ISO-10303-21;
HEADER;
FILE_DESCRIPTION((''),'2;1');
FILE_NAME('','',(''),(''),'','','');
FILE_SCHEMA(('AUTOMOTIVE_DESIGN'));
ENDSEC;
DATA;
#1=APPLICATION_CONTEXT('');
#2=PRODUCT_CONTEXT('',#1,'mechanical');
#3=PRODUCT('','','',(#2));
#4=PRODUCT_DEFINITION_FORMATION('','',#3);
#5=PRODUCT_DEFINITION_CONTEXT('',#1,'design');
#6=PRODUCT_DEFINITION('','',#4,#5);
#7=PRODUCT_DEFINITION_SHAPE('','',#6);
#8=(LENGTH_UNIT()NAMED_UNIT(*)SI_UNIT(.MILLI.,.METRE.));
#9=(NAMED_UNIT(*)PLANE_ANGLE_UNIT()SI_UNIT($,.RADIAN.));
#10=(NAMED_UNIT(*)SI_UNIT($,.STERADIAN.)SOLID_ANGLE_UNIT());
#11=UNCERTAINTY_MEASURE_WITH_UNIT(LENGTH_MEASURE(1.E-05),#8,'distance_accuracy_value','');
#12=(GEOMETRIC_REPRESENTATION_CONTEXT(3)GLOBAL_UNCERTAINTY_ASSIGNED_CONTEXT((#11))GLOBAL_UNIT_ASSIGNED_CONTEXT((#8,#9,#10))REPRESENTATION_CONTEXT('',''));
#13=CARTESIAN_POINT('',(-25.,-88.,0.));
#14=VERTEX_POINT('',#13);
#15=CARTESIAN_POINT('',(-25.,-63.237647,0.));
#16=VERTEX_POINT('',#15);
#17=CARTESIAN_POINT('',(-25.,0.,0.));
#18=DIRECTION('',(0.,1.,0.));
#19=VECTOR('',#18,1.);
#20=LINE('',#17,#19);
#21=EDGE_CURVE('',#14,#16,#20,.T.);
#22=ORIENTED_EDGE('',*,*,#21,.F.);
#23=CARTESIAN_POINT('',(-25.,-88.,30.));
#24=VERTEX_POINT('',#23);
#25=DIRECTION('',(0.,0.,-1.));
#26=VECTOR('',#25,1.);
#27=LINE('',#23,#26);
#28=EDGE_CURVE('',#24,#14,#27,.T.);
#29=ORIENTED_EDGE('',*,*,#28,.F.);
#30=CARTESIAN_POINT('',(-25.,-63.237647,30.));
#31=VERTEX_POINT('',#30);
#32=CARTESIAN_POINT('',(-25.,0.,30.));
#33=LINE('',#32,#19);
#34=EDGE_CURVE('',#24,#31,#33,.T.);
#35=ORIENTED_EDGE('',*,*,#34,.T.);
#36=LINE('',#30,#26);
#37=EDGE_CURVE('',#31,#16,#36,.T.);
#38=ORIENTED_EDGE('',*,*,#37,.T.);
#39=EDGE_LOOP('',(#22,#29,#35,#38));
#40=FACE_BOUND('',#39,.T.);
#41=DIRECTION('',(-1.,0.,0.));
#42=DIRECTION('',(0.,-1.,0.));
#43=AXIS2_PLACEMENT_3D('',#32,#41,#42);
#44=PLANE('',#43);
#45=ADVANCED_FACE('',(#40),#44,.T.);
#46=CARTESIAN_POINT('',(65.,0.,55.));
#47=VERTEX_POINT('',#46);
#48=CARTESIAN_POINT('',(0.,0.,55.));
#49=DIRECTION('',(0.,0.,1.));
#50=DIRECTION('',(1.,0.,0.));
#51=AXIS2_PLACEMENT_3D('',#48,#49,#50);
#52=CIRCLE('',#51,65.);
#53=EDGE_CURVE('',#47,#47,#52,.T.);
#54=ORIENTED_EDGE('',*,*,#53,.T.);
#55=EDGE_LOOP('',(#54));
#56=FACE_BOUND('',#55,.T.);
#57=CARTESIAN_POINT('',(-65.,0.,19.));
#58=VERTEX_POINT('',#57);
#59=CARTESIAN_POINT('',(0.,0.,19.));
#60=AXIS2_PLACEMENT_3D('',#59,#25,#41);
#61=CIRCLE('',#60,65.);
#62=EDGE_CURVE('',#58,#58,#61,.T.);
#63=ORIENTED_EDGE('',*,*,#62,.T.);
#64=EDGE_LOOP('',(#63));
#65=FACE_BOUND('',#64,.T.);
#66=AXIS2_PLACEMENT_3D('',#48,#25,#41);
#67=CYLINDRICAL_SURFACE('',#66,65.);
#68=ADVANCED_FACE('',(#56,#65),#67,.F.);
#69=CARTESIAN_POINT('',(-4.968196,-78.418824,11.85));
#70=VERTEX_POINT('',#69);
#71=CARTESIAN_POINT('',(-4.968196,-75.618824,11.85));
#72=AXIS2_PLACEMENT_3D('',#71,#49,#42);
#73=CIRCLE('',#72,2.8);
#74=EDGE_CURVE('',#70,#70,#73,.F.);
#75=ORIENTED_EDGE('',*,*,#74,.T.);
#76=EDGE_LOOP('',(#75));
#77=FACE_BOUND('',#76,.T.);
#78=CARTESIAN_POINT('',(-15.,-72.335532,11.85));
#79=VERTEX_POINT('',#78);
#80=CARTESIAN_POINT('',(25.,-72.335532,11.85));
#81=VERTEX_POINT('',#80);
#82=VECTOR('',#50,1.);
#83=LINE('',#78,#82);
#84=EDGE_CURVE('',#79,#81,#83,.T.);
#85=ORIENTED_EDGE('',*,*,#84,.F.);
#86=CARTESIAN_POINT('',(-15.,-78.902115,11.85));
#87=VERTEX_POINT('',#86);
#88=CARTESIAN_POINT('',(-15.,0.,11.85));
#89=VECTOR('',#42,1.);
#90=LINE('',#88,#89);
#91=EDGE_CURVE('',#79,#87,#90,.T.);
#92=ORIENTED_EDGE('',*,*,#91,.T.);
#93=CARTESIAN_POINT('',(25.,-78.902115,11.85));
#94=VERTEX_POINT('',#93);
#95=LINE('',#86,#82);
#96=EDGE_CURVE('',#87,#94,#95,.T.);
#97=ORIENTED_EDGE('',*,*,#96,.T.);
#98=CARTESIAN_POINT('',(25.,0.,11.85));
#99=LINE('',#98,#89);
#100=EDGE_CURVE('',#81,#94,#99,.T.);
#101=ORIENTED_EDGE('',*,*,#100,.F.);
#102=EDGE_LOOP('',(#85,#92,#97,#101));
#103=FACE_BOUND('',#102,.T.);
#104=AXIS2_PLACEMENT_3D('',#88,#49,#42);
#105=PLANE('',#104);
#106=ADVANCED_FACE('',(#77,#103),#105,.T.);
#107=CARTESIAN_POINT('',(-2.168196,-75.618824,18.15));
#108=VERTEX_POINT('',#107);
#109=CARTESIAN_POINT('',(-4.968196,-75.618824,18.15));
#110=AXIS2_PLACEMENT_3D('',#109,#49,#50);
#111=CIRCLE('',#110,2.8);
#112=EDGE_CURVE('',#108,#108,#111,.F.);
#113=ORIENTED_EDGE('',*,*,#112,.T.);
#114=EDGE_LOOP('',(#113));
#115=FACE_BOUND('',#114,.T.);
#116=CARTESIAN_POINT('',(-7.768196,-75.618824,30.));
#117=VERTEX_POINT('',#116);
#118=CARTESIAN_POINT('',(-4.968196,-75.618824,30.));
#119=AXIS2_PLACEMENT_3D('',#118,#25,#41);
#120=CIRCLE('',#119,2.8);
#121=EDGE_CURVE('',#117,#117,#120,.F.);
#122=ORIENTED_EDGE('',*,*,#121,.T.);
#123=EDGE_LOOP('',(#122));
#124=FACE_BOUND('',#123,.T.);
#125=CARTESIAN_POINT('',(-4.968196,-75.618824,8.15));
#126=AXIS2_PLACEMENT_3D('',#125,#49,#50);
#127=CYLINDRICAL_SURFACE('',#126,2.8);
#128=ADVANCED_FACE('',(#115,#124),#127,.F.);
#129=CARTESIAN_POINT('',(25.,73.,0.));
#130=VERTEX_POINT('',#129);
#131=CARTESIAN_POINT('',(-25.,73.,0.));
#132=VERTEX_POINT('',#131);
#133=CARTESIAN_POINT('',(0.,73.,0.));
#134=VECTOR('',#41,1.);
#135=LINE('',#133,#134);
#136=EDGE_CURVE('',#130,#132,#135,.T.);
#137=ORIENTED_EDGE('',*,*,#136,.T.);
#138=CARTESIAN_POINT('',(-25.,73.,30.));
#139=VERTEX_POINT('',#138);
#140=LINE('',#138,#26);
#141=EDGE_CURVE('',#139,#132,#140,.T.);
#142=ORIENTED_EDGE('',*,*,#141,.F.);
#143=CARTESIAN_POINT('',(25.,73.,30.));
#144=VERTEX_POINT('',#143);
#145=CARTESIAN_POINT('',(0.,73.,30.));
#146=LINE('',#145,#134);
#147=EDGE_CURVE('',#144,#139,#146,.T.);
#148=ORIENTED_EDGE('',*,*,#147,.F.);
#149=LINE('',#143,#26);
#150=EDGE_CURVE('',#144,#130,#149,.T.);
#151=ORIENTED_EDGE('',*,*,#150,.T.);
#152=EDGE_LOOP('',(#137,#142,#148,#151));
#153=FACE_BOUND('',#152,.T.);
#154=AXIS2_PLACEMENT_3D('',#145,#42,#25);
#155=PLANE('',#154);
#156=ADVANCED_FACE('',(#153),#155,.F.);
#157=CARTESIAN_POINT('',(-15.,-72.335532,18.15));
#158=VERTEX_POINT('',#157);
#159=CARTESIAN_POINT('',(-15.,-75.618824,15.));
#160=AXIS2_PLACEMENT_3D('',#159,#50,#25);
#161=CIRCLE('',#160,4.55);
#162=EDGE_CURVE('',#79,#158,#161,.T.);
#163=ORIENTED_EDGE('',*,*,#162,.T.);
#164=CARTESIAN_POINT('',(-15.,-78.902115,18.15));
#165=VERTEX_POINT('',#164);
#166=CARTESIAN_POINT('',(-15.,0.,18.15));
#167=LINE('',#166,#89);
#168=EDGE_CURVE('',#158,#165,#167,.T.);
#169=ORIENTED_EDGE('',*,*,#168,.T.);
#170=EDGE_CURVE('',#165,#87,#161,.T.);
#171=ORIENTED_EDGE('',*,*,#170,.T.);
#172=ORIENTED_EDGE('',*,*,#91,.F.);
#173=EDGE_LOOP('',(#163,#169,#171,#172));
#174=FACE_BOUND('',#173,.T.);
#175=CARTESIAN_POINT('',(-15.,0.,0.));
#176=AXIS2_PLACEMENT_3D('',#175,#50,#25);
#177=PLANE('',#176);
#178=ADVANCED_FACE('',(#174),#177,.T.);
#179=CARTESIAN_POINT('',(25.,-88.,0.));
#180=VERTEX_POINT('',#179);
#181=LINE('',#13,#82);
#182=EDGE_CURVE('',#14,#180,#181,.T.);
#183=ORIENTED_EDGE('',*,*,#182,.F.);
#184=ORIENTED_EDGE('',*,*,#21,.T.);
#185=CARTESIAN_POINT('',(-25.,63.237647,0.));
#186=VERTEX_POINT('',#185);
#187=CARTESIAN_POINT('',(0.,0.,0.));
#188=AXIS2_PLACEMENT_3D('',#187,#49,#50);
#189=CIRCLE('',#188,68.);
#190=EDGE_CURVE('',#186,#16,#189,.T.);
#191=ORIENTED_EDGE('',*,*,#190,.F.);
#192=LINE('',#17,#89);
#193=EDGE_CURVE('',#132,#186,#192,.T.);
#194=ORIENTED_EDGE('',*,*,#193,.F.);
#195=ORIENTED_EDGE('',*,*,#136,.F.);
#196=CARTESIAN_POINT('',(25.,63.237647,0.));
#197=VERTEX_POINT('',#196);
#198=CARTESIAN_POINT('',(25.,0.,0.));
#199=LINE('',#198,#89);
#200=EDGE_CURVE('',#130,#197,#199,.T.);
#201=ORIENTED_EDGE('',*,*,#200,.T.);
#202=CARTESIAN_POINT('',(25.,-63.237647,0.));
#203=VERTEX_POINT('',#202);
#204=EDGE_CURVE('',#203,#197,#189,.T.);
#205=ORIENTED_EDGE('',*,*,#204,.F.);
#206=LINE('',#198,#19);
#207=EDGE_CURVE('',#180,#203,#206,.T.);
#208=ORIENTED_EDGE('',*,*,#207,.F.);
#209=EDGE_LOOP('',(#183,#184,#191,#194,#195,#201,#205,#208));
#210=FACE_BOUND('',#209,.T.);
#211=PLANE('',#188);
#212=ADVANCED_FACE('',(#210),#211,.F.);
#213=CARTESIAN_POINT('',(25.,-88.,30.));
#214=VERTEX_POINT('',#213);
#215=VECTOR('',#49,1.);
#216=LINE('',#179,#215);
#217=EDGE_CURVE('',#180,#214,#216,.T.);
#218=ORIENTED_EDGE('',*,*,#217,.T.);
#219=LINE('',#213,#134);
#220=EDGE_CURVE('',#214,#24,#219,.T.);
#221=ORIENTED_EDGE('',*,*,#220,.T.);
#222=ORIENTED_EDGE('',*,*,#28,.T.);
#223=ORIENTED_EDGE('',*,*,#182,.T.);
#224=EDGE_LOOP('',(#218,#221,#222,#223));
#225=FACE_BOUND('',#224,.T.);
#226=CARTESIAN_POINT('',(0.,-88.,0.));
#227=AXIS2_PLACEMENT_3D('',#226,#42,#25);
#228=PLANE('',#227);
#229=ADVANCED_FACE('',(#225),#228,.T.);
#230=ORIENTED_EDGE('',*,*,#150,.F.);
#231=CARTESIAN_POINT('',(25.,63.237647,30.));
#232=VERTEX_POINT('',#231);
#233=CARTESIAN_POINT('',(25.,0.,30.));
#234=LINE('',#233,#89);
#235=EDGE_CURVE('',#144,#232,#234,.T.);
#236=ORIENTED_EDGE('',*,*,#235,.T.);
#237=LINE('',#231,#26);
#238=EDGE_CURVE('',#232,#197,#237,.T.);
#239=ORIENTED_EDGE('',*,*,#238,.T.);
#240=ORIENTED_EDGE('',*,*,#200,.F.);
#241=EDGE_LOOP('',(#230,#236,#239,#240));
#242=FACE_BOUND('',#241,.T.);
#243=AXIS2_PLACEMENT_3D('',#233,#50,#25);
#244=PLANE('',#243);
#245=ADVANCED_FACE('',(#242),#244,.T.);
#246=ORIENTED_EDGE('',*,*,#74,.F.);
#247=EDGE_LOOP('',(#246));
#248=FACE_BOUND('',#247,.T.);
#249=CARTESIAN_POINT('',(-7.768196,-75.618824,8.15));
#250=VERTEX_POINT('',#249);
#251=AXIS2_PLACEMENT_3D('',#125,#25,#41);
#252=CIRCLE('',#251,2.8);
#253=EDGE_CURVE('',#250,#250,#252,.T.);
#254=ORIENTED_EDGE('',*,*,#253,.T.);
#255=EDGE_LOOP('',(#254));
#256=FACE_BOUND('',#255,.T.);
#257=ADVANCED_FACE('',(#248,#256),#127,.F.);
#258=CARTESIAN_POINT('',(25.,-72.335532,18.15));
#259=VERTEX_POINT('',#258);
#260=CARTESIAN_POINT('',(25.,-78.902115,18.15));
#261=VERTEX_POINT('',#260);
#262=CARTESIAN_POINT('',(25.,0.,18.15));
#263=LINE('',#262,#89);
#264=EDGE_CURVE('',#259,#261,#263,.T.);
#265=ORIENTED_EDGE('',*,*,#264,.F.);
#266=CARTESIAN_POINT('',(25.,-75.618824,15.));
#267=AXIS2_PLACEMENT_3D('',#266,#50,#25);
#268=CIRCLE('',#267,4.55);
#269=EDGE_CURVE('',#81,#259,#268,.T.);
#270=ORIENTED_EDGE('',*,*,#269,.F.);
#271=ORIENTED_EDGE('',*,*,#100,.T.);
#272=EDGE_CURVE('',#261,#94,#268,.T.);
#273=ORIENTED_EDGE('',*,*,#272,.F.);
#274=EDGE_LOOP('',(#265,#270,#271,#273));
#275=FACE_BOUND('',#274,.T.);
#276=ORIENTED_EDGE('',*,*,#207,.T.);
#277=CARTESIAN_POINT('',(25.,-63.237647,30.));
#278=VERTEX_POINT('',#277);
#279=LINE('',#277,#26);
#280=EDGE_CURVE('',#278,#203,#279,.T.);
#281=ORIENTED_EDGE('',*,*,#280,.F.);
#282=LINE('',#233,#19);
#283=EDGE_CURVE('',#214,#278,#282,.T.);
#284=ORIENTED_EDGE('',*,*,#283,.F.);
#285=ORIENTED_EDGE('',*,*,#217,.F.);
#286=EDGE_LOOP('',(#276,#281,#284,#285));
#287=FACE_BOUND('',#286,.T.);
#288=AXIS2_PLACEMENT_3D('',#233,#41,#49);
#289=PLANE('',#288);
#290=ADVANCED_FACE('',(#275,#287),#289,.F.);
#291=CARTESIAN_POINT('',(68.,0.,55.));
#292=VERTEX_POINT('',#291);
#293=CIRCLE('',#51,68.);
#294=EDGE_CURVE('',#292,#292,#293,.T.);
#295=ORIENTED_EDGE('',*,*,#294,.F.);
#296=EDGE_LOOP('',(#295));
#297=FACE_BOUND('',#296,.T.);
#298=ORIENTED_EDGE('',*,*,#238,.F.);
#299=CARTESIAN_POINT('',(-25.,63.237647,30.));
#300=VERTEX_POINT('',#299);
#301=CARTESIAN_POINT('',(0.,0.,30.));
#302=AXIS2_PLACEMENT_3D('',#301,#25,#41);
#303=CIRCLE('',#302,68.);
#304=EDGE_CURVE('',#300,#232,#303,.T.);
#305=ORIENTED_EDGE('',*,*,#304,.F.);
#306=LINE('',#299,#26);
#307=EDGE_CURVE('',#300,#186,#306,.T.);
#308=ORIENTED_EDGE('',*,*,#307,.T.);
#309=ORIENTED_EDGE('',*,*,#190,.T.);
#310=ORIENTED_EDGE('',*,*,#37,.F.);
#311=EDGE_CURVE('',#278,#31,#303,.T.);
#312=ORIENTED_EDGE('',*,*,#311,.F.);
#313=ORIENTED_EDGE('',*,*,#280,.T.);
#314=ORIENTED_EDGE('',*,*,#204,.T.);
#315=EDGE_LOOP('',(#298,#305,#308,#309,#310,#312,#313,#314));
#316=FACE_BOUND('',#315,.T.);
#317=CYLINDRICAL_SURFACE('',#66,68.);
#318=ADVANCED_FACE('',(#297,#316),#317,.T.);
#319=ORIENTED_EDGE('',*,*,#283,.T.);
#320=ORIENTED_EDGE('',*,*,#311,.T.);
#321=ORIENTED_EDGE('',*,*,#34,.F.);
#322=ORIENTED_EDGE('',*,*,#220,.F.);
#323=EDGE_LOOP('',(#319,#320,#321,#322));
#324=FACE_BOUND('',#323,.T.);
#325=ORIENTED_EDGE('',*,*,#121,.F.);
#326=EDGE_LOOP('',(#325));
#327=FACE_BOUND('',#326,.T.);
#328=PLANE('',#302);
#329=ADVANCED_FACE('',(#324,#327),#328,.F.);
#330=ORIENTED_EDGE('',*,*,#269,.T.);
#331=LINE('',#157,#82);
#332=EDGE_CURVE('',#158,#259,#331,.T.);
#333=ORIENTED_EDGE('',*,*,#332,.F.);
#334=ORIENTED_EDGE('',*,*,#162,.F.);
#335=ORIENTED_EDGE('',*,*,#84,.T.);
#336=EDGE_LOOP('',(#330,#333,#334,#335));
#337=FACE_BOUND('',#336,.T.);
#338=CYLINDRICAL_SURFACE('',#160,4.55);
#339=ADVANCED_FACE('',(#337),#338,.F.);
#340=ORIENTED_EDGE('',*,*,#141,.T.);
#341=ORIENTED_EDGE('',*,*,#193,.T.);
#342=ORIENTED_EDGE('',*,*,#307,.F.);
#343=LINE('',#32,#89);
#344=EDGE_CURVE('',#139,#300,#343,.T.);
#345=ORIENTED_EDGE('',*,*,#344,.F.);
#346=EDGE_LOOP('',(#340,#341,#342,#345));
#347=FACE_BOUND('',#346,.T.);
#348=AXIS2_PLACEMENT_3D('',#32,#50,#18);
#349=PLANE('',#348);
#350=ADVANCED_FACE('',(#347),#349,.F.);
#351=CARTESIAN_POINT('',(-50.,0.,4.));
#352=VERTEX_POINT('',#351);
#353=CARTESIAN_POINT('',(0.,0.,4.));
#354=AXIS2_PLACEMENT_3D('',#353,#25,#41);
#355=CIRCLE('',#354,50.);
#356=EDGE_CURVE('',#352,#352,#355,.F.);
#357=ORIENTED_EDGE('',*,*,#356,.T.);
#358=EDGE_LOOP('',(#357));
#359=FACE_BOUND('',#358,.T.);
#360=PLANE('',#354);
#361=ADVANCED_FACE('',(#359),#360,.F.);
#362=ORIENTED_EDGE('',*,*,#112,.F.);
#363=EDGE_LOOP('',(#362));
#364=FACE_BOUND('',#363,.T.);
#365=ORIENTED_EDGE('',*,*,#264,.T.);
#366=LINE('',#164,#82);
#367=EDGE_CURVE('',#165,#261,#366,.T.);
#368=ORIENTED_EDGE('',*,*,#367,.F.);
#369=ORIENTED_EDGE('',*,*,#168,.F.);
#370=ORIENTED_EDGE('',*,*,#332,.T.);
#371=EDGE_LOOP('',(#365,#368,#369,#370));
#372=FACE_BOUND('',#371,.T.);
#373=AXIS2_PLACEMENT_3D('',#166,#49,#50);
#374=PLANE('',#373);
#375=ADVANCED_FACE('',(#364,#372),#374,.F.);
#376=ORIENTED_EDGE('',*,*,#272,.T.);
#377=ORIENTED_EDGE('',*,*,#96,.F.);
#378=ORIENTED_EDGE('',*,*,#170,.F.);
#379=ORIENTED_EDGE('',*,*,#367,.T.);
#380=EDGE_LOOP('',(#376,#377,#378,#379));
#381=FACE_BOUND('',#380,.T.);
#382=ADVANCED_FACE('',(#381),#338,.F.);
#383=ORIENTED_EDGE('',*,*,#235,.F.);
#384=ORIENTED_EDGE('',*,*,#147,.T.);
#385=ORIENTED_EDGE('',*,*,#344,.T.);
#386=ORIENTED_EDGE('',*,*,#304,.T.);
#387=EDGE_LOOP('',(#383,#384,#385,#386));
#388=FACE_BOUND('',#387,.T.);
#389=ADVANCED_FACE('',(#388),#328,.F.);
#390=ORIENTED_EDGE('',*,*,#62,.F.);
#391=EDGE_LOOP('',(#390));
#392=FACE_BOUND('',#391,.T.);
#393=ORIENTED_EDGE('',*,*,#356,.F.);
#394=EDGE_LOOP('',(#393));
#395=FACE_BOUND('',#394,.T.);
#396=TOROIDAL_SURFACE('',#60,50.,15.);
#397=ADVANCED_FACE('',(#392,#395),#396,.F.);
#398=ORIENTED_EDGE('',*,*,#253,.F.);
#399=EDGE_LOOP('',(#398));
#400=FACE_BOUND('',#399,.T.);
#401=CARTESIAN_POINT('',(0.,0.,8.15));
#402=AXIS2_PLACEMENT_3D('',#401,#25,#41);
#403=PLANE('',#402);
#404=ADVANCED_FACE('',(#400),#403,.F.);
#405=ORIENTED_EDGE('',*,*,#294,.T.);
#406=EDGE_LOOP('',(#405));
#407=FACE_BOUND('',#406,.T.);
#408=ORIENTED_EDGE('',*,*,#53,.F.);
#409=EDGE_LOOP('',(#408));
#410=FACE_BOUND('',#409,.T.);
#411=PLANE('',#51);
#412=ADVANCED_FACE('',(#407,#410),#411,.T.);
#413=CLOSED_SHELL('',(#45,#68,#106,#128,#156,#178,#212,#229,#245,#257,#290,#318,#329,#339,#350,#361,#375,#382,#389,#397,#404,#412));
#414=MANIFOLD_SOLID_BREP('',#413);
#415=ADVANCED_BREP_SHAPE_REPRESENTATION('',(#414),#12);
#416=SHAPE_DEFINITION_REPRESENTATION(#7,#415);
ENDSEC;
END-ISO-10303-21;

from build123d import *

# Parameters (mm, degrees)
SKETCH_1_R               = 68
SKETCH_1_R_2             = 65
EXTRUDE_1_DEPTH          = 55
SKETCH_2_R               = 68
EXTRUDE_1_2_DEPTH        = 4
FILLET_1_R               = 15
EXTRUDE_2_DEPTH          = 30
SKETCH_4_W               = 50
SKETCH_4_H               = 30
EXTRUDE_3_DEPTH          = 15
CUT_EXTRUDE_1_DEPTH      = 40
CUT_EXTRUDE_2_DEPTH      = 10
CUT_EXTRUDE_2_DEPTH_BACK = 20


with BuildPart() as part:
    # 草图1 → Extrude 1 (new body)
    with BuildSketch(Plane.XY):
        Circle(SKETCH_1_R)
        Circle(SKETCH_1_R_2, mode=Mode.SUBTRACT)
    extrude(amount=EXTRUDE_1_DEPTH)

    # 草图2 → Extrude 1 2 (add)
    with BuildSketch(Plane(origin=(0, 0, 0), x_dir=(-1, 0, 0), z_dir=(0, 0, -1))):
        with Locations(Location((0, 0, 0), (0, 0, 180))):
            Circle(SKETCH_2_R)
    extrude(amount=-EXTRUDE_1_2_DEPTH)

    # 圆角1
    fillet_1_edges = [part.edges().sort_by_distance(p)[0] for p in [
        (-65, 0, 4),
    ]]
    fillet(fillet_1_edges, radius=FILLET_1_R)

    # 草图3 → 凸台-拉伸2 (add)
    with BuildSketch(Plane(origin=(0, 0, 0), x_dir=(-1, 0, 0), z_dir=(0, 0, -1))):
        with BuildLine():
            Line((25, -73), (25, -63.237647015))
            ThreePointArc((25, -63.237647015), (12.724779035, -66.798802373), (0, -68))
            ThreePointArc((0, -68), (-12.724779035, -66.798802373), (-25, -63.237647015))
            Line((-25, -63.237647015), (-25, -73))
            Line((-25, -73), (25, -73))
        make_face()
        with BuildLine():
            ThreePointArc((-25, 63.237647015), (-12.724779035, 66.798802373), (0, 68))
            ThreePointArc((0, 68), (12.724779035, 66.798802373), (25, 63.237647015))
            Line((25, 63.237647015), (25, 73))
            Line((25, 73), (-25, 73))
            Line((-25, 73), (-25, 63.237647015))
        make_face()
    extrude(amount=-EXTRUDE_2_DEPTH)

    # 草图4 → 凸台-拉伸3 (add)
    with BuildSketch(Plane.XZ.offset(73)):
        with Locations((0, 15)):
            Rectangle(SKETCH_4_W, SKETCH_4_H)
    extrude(amount=EXTRUDE_3_DEPTH)

    # 草图5 → 切除-拉伸1 (cut)
    with BuildSketch(Plane(origin=(25, 0, 0), x_dir=(0, 0, -1), z_dir=(1, 0, 0))):
        with BuildLine():
            Line((-18.15, -72.335532476), (-18.15, -75.618823508))
            Line((-18.15, -75.618823508), (-11.85, -75.618823508))
            Line((-11.85, -75.618823508), (-11.85, -72.335532476))
            ThreePointArc((-11.85, -72.335532476), (-15, -71.068823508), (-18.15, -72.335532476))
        make_face()
        with BuildLine():
            Line((-11.85, -75.618823508), (-18.15, -75.618823508))
            Line((-18.15, -75.618823508), (-18.15, -78.902114539))
            ThreePointArc((-18.15, -78.902114539), (-15, -80.168823508), (-11.85, -78.902114539))
            Line((-11.85, -78.902114539), (-11.85, -75.618823508))
        make_face()
    extrude(amount=-CUT_EXTRUDE_1_DEPTH, mode=Mode.SUBTRACT)

    # 草图6 → 切除-拉伸2 (cut, two sides: drawn at the far end of the back side and taken through both)
    with BuildSketch(Plane(origin=(0, 0, 18.15), x_dir=(-1, 0, 0), z_dir=(0, 0, -1)).offset(-CUT_EXTRUDE_2_DEPTH_BACK)):
        with BuildLine():
            ThreePointArc((7.768196181, -75.618823508), (4.968196181, -72.818823508), (2.168196181, -75.618823508))
            Line((2.168196181, -75.618823508), (7.768196181, -75.618823508))
        make_face()
        with BuildLine():
            Line((7.768196181, -75.618823508), (2.168196181, -75.618823508))
            ThreePointArc((2.168196181, -75.618823508), (4.968196181, -78.418823508), (7.768196181, -75.618823508))
        make_face()
    extrude(amount=CUT_EXTRUDE_2_DEPTH + CUT_EXTRUDE_2_DEPTH_BACK, mode=Mode.SUBTRACT)


solid = part.part
